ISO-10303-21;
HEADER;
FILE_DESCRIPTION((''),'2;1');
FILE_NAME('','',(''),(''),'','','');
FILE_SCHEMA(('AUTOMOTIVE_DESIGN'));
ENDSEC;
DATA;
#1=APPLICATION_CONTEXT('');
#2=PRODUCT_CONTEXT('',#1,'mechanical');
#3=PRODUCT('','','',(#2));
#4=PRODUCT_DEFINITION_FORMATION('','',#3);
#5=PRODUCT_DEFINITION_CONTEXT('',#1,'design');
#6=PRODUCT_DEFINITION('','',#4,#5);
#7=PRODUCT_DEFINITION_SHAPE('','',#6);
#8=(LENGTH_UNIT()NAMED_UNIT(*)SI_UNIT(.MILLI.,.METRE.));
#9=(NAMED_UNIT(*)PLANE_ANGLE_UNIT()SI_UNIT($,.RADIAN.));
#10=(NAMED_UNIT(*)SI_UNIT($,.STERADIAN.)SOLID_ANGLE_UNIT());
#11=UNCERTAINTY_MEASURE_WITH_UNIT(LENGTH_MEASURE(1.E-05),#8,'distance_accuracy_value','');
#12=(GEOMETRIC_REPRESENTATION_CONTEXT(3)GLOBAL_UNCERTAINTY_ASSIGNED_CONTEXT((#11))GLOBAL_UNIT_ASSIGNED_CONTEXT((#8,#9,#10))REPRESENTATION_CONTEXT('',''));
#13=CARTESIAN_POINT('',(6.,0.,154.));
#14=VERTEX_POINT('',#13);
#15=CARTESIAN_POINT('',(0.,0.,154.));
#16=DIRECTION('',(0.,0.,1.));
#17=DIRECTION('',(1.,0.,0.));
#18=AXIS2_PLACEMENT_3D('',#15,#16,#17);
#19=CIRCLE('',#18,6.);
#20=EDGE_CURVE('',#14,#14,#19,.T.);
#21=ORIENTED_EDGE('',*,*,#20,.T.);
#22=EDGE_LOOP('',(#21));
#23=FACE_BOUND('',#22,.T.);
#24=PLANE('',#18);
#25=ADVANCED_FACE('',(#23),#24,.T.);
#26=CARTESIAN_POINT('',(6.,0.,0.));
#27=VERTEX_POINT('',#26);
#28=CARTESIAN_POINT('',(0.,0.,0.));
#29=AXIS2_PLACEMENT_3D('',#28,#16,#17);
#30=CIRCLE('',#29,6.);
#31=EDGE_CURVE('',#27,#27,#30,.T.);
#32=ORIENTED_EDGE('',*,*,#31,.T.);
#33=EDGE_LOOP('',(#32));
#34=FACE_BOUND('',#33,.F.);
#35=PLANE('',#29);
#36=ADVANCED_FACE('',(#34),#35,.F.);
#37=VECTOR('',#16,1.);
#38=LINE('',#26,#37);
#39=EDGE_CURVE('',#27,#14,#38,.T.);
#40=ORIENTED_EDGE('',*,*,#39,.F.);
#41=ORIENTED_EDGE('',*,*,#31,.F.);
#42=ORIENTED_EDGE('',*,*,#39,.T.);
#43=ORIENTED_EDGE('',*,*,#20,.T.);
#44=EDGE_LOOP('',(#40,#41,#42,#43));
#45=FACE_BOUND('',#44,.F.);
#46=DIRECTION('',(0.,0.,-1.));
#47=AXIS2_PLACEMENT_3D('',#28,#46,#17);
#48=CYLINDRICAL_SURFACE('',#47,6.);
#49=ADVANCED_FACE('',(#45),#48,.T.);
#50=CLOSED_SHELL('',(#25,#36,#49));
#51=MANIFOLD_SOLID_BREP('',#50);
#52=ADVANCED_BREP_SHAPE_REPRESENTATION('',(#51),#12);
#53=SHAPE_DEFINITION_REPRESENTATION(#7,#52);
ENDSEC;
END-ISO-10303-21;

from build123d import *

# Parameters (mm, degrees)
SKETCH_R  = 6
PAD_DEPTH = 154


with BuildPart() as part:
    # Sketch → Pad (new body)
    with BuildSketch(Plane.XY):
        Circle(SKETCH_R)
    extrude(amount=PAD_DEPTH)


solid = part.part
